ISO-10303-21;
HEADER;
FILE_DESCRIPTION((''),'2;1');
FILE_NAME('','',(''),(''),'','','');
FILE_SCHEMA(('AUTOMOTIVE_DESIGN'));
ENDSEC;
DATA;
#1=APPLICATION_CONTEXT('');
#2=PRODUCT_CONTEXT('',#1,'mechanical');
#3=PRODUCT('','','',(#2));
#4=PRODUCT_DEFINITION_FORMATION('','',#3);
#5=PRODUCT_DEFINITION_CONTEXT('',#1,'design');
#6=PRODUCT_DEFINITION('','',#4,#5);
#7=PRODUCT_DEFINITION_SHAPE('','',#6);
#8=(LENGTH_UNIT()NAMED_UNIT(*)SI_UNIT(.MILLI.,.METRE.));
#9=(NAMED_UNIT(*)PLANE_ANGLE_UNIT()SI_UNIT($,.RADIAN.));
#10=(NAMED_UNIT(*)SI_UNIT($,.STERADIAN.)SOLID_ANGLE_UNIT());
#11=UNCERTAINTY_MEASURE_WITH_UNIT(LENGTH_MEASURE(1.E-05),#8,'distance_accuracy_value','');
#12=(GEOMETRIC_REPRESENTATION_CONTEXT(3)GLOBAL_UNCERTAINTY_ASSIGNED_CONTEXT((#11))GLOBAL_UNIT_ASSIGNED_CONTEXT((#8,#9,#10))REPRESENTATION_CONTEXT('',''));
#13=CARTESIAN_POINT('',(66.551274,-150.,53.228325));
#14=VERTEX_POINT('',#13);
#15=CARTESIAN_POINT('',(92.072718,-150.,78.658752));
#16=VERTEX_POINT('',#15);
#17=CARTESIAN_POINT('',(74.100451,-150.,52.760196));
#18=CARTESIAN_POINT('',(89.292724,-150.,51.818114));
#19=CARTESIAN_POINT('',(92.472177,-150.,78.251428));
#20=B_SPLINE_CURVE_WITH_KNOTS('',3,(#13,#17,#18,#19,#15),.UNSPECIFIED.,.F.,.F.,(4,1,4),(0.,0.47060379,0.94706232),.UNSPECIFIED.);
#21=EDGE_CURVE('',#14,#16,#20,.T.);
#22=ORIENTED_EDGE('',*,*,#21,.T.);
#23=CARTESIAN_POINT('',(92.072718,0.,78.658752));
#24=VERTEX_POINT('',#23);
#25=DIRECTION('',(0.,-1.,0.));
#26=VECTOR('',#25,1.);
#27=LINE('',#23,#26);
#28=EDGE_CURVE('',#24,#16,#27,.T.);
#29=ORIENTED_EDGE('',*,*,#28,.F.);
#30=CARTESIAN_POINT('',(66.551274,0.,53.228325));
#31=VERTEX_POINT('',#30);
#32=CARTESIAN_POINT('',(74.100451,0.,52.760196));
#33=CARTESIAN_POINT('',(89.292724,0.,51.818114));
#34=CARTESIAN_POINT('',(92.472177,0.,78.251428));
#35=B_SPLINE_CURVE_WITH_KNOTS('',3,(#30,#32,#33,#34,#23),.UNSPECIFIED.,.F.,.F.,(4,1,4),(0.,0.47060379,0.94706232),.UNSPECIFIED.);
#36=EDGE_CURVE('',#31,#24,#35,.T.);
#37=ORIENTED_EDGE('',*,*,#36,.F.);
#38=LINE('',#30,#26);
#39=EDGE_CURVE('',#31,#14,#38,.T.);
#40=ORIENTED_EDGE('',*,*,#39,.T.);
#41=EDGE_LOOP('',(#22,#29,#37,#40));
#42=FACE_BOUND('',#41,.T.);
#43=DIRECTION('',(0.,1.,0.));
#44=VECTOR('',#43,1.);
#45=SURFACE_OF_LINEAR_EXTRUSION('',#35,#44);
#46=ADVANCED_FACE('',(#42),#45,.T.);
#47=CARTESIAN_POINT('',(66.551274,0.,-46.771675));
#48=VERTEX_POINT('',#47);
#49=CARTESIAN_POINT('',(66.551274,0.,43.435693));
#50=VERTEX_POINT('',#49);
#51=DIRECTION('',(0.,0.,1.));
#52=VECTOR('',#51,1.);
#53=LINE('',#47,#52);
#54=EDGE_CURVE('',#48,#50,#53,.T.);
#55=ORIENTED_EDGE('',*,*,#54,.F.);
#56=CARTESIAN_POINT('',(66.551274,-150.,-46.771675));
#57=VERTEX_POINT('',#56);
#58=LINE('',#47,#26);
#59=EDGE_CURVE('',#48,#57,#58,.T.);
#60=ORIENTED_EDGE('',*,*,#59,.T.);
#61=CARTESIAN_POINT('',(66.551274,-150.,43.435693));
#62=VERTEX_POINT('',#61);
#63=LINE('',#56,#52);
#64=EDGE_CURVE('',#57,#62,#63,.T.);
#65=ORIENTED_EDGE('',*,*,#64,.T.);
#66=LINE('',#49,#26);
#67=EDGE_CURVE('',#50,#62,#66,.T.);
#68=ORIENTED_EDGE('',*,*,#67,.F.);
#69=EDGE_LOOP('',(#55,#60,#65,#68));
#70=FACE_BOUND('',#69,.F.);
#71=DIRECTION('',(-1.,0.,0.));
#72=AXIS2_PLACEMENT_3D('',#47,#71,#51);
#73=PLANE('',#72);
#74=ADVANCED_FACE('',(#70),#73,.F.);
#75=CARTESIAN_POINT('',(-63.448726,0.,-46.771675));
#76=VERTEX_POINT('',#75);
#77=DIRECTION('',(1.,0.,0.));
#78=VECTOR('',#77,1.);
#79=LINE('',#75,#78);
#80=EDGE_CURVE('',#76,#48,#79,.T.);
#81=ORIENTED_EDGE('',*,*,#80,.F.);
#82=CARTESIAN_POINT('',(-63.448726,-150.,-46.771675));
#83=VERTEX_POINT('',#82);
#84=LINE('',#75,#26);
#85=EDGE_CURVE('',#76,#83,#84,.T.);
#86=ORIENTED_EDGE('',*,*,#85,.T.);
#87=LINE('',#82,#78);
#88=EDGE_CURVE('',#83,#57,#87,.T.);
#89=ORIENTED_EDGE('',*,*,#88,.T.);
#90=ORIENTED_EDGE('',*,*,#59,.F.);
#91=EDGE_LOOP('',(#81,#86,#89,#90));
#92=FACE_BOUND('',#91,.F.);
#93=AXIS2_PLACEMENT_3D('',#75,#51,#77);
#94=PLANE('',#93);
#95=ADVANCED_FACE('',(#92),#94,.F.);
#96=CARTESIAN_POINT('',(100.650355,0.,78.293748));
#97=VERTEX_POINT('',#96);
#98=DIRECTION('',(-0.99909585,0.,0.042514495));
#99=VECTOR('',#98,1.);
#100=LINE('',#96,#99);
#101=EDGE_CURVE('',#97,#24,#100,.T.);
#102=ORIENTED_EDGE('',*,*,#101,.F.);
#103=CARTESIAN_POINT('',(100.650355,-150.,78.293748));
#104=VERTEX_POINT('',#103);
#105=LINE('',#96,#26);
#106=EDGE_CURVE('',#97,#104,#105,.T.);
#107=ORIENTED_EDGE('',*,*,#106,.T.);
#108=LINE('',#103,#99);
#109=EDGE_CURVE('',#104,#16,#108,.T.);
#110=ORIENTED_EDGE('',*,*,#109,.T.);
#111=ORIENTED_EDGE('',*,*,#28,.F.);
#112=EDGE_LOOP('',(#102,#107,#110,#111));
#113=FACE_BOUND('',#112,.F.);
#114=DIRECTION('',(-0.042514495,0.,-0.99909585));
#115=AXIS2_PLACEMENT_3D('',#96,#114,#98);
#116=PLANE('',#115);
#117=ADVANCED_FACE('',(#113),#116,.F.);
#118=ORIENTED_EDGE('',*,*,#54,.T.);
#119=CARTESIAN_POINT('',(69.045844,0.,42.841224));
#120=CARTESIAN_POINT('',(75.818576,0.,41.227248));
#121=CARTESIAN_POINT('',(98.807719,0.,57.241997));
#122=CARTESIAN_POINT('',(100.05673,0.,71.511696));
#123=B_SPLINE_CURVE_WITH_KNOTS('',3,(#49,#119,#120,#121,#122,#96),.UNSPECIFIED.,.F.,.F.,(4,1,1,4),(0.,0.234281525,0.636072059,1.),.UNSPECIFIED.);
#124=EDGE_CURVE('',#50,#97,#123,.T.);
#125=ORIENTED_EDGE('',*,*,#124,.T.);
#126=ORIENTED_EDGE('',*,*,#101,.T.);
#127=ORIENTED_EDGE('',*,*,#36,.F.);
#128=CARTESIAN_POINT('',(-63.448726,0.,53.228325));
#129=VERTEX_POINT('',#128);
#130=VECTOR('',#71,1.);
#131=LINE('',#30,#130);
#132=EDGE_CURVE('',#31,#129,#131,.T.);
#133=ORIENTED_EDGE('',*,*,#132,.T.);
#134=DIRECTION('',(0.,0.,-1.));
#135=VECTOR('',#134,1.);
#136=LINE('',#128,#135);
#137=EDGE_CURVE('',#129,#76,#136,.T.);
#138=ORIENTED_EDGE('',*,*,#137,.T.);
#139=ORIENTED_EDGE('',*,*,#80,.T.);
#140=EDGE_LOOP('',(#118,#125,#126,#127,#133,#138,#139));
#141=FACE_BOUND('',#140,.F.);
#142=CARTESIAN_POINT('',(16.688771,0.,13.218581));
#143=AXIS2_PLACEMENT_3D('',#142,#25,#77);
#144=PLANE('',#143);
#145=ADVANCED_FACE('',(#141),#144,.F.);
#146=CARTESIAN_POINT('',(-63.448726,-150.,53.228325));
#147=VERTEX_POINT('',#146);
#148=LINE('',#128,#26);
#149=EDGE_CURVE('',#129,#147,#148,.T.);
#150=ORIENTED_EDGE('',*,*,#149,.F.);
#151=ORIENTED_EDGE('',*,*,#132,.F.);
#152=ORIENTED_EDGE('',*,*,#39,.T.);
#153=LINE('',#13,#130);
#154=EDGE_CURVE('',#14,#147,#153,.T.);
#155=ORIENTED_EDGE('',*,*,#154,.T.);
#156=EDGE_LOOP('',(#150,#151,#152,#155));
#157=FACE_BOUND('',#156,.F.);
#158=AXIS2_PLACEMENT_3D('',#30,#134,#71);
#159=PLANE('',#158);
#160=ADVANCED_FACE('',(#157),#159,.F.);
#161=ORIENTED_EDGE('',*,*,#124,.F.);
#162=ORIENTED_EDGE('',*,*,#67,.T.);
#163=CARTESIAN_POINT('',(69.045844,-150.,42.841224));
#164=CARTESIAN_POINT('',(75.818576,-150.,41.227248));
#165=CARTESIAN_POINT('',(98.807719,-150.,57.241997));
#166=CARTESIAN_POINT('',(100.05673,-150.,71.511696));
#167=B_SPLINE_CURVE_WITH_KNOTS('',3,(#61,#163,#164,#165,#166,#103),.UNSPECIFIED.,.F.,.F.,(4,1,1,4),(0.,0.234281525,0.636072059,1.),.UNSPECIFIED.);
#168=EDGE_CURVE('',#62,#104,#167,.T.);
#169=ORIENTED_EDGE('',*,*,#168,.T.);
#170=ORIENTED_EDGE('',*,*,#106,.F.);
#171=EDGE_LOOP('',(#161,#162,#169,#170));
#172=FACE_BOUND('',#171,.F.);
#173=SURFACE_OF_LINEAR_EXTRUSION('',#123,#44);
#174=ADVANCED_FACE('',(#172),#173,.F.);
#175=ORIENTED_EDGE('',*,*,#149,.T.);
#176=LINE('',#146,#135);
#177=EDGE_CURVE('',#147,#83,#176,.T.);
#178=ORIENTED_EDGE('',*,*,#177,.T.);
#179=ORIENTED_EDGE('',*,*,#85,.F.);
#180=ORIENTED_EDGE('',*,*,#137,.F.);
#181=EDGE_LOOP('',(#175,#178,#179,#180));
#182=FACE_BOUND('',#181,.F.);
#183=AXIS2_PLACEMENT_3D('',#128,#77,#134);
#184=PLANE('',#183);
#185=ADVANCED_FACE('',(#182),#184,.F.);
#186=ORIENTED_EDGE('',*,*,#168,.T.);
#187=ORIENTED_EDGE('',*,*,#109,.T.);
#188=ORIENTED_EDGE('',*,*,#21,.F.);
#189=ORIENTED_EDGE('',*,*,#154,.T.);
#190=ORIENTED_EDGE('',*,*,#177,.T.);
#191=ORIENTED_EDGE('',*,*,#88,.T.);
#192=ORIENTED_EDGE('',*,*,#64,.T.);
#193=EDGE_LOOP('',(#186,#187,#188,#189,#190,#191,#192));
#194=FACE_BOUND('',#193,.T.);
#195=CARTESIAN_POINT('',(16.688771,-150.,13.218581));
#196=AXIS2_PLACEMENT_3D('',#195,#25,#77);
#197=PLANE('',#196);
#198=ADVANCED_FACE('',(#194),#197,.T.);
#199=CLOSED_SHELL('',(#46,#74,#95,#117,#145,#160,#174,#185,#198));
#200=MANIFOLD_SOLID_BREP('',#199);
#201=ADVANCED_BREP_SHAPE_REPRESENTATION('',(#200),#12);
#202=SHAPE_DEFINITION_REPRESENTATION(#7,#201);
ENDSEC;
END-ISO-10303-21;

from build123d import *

# Parameters (mm, degrees)
F1_DEPTH = 150


with BuildPart() as f1:
    # F0 (on Front) → F1 (new body)
    with BuildSketch(Plane.XZ):
        with BuildLine():
            Line((66.5512742102, 53.22832472), (-63.4487257898, 53.22832472))
            Line((-63.4487257898, 53.22832472), (-63.4487257898, -46.77167528))
            Line((-63.4487257898, -46.77167528), (66.5512742102, -46.77167528))
            Line((66.5512742102, -46.77167528), (66.5512742102, 43.4356927872))
            add(Edge.make_bspline(
                [(66.5512742102, 43.4356927872), (69.0458437789, 42.8412241475), (75.8185758553, 41.2272475823), (98.8077186481, 57.2419967752), (100.0567297058, 71.5116963556), (100.6503552198, 78.2937481999)],
                knots=[0, 0, 0, 0, 0.2342815252, 0.6360720585, 1, 1, 1, 1], degree=3))
            Line((100.6503552198, 78.2937481999), (92.0727178454, 78.6587521434))
            add(Edge.make_bspline(
                [(66.5512742102, 53.22832472), (74.1004513767, 52.7601957711), (89.292724355, 51.8181139225), (92.4721770478, 78.2514275942), (92.0727178454, 78.6587521434)],
                knots=[0, 0, 0, 0, 0.4706037901, 0.9470623203, 0.9470623203, 0.9470623203, 0.9470623203], degree=3))
        make_face()
    extrude(amount=F1_DEPTH)


solid = f1.part
